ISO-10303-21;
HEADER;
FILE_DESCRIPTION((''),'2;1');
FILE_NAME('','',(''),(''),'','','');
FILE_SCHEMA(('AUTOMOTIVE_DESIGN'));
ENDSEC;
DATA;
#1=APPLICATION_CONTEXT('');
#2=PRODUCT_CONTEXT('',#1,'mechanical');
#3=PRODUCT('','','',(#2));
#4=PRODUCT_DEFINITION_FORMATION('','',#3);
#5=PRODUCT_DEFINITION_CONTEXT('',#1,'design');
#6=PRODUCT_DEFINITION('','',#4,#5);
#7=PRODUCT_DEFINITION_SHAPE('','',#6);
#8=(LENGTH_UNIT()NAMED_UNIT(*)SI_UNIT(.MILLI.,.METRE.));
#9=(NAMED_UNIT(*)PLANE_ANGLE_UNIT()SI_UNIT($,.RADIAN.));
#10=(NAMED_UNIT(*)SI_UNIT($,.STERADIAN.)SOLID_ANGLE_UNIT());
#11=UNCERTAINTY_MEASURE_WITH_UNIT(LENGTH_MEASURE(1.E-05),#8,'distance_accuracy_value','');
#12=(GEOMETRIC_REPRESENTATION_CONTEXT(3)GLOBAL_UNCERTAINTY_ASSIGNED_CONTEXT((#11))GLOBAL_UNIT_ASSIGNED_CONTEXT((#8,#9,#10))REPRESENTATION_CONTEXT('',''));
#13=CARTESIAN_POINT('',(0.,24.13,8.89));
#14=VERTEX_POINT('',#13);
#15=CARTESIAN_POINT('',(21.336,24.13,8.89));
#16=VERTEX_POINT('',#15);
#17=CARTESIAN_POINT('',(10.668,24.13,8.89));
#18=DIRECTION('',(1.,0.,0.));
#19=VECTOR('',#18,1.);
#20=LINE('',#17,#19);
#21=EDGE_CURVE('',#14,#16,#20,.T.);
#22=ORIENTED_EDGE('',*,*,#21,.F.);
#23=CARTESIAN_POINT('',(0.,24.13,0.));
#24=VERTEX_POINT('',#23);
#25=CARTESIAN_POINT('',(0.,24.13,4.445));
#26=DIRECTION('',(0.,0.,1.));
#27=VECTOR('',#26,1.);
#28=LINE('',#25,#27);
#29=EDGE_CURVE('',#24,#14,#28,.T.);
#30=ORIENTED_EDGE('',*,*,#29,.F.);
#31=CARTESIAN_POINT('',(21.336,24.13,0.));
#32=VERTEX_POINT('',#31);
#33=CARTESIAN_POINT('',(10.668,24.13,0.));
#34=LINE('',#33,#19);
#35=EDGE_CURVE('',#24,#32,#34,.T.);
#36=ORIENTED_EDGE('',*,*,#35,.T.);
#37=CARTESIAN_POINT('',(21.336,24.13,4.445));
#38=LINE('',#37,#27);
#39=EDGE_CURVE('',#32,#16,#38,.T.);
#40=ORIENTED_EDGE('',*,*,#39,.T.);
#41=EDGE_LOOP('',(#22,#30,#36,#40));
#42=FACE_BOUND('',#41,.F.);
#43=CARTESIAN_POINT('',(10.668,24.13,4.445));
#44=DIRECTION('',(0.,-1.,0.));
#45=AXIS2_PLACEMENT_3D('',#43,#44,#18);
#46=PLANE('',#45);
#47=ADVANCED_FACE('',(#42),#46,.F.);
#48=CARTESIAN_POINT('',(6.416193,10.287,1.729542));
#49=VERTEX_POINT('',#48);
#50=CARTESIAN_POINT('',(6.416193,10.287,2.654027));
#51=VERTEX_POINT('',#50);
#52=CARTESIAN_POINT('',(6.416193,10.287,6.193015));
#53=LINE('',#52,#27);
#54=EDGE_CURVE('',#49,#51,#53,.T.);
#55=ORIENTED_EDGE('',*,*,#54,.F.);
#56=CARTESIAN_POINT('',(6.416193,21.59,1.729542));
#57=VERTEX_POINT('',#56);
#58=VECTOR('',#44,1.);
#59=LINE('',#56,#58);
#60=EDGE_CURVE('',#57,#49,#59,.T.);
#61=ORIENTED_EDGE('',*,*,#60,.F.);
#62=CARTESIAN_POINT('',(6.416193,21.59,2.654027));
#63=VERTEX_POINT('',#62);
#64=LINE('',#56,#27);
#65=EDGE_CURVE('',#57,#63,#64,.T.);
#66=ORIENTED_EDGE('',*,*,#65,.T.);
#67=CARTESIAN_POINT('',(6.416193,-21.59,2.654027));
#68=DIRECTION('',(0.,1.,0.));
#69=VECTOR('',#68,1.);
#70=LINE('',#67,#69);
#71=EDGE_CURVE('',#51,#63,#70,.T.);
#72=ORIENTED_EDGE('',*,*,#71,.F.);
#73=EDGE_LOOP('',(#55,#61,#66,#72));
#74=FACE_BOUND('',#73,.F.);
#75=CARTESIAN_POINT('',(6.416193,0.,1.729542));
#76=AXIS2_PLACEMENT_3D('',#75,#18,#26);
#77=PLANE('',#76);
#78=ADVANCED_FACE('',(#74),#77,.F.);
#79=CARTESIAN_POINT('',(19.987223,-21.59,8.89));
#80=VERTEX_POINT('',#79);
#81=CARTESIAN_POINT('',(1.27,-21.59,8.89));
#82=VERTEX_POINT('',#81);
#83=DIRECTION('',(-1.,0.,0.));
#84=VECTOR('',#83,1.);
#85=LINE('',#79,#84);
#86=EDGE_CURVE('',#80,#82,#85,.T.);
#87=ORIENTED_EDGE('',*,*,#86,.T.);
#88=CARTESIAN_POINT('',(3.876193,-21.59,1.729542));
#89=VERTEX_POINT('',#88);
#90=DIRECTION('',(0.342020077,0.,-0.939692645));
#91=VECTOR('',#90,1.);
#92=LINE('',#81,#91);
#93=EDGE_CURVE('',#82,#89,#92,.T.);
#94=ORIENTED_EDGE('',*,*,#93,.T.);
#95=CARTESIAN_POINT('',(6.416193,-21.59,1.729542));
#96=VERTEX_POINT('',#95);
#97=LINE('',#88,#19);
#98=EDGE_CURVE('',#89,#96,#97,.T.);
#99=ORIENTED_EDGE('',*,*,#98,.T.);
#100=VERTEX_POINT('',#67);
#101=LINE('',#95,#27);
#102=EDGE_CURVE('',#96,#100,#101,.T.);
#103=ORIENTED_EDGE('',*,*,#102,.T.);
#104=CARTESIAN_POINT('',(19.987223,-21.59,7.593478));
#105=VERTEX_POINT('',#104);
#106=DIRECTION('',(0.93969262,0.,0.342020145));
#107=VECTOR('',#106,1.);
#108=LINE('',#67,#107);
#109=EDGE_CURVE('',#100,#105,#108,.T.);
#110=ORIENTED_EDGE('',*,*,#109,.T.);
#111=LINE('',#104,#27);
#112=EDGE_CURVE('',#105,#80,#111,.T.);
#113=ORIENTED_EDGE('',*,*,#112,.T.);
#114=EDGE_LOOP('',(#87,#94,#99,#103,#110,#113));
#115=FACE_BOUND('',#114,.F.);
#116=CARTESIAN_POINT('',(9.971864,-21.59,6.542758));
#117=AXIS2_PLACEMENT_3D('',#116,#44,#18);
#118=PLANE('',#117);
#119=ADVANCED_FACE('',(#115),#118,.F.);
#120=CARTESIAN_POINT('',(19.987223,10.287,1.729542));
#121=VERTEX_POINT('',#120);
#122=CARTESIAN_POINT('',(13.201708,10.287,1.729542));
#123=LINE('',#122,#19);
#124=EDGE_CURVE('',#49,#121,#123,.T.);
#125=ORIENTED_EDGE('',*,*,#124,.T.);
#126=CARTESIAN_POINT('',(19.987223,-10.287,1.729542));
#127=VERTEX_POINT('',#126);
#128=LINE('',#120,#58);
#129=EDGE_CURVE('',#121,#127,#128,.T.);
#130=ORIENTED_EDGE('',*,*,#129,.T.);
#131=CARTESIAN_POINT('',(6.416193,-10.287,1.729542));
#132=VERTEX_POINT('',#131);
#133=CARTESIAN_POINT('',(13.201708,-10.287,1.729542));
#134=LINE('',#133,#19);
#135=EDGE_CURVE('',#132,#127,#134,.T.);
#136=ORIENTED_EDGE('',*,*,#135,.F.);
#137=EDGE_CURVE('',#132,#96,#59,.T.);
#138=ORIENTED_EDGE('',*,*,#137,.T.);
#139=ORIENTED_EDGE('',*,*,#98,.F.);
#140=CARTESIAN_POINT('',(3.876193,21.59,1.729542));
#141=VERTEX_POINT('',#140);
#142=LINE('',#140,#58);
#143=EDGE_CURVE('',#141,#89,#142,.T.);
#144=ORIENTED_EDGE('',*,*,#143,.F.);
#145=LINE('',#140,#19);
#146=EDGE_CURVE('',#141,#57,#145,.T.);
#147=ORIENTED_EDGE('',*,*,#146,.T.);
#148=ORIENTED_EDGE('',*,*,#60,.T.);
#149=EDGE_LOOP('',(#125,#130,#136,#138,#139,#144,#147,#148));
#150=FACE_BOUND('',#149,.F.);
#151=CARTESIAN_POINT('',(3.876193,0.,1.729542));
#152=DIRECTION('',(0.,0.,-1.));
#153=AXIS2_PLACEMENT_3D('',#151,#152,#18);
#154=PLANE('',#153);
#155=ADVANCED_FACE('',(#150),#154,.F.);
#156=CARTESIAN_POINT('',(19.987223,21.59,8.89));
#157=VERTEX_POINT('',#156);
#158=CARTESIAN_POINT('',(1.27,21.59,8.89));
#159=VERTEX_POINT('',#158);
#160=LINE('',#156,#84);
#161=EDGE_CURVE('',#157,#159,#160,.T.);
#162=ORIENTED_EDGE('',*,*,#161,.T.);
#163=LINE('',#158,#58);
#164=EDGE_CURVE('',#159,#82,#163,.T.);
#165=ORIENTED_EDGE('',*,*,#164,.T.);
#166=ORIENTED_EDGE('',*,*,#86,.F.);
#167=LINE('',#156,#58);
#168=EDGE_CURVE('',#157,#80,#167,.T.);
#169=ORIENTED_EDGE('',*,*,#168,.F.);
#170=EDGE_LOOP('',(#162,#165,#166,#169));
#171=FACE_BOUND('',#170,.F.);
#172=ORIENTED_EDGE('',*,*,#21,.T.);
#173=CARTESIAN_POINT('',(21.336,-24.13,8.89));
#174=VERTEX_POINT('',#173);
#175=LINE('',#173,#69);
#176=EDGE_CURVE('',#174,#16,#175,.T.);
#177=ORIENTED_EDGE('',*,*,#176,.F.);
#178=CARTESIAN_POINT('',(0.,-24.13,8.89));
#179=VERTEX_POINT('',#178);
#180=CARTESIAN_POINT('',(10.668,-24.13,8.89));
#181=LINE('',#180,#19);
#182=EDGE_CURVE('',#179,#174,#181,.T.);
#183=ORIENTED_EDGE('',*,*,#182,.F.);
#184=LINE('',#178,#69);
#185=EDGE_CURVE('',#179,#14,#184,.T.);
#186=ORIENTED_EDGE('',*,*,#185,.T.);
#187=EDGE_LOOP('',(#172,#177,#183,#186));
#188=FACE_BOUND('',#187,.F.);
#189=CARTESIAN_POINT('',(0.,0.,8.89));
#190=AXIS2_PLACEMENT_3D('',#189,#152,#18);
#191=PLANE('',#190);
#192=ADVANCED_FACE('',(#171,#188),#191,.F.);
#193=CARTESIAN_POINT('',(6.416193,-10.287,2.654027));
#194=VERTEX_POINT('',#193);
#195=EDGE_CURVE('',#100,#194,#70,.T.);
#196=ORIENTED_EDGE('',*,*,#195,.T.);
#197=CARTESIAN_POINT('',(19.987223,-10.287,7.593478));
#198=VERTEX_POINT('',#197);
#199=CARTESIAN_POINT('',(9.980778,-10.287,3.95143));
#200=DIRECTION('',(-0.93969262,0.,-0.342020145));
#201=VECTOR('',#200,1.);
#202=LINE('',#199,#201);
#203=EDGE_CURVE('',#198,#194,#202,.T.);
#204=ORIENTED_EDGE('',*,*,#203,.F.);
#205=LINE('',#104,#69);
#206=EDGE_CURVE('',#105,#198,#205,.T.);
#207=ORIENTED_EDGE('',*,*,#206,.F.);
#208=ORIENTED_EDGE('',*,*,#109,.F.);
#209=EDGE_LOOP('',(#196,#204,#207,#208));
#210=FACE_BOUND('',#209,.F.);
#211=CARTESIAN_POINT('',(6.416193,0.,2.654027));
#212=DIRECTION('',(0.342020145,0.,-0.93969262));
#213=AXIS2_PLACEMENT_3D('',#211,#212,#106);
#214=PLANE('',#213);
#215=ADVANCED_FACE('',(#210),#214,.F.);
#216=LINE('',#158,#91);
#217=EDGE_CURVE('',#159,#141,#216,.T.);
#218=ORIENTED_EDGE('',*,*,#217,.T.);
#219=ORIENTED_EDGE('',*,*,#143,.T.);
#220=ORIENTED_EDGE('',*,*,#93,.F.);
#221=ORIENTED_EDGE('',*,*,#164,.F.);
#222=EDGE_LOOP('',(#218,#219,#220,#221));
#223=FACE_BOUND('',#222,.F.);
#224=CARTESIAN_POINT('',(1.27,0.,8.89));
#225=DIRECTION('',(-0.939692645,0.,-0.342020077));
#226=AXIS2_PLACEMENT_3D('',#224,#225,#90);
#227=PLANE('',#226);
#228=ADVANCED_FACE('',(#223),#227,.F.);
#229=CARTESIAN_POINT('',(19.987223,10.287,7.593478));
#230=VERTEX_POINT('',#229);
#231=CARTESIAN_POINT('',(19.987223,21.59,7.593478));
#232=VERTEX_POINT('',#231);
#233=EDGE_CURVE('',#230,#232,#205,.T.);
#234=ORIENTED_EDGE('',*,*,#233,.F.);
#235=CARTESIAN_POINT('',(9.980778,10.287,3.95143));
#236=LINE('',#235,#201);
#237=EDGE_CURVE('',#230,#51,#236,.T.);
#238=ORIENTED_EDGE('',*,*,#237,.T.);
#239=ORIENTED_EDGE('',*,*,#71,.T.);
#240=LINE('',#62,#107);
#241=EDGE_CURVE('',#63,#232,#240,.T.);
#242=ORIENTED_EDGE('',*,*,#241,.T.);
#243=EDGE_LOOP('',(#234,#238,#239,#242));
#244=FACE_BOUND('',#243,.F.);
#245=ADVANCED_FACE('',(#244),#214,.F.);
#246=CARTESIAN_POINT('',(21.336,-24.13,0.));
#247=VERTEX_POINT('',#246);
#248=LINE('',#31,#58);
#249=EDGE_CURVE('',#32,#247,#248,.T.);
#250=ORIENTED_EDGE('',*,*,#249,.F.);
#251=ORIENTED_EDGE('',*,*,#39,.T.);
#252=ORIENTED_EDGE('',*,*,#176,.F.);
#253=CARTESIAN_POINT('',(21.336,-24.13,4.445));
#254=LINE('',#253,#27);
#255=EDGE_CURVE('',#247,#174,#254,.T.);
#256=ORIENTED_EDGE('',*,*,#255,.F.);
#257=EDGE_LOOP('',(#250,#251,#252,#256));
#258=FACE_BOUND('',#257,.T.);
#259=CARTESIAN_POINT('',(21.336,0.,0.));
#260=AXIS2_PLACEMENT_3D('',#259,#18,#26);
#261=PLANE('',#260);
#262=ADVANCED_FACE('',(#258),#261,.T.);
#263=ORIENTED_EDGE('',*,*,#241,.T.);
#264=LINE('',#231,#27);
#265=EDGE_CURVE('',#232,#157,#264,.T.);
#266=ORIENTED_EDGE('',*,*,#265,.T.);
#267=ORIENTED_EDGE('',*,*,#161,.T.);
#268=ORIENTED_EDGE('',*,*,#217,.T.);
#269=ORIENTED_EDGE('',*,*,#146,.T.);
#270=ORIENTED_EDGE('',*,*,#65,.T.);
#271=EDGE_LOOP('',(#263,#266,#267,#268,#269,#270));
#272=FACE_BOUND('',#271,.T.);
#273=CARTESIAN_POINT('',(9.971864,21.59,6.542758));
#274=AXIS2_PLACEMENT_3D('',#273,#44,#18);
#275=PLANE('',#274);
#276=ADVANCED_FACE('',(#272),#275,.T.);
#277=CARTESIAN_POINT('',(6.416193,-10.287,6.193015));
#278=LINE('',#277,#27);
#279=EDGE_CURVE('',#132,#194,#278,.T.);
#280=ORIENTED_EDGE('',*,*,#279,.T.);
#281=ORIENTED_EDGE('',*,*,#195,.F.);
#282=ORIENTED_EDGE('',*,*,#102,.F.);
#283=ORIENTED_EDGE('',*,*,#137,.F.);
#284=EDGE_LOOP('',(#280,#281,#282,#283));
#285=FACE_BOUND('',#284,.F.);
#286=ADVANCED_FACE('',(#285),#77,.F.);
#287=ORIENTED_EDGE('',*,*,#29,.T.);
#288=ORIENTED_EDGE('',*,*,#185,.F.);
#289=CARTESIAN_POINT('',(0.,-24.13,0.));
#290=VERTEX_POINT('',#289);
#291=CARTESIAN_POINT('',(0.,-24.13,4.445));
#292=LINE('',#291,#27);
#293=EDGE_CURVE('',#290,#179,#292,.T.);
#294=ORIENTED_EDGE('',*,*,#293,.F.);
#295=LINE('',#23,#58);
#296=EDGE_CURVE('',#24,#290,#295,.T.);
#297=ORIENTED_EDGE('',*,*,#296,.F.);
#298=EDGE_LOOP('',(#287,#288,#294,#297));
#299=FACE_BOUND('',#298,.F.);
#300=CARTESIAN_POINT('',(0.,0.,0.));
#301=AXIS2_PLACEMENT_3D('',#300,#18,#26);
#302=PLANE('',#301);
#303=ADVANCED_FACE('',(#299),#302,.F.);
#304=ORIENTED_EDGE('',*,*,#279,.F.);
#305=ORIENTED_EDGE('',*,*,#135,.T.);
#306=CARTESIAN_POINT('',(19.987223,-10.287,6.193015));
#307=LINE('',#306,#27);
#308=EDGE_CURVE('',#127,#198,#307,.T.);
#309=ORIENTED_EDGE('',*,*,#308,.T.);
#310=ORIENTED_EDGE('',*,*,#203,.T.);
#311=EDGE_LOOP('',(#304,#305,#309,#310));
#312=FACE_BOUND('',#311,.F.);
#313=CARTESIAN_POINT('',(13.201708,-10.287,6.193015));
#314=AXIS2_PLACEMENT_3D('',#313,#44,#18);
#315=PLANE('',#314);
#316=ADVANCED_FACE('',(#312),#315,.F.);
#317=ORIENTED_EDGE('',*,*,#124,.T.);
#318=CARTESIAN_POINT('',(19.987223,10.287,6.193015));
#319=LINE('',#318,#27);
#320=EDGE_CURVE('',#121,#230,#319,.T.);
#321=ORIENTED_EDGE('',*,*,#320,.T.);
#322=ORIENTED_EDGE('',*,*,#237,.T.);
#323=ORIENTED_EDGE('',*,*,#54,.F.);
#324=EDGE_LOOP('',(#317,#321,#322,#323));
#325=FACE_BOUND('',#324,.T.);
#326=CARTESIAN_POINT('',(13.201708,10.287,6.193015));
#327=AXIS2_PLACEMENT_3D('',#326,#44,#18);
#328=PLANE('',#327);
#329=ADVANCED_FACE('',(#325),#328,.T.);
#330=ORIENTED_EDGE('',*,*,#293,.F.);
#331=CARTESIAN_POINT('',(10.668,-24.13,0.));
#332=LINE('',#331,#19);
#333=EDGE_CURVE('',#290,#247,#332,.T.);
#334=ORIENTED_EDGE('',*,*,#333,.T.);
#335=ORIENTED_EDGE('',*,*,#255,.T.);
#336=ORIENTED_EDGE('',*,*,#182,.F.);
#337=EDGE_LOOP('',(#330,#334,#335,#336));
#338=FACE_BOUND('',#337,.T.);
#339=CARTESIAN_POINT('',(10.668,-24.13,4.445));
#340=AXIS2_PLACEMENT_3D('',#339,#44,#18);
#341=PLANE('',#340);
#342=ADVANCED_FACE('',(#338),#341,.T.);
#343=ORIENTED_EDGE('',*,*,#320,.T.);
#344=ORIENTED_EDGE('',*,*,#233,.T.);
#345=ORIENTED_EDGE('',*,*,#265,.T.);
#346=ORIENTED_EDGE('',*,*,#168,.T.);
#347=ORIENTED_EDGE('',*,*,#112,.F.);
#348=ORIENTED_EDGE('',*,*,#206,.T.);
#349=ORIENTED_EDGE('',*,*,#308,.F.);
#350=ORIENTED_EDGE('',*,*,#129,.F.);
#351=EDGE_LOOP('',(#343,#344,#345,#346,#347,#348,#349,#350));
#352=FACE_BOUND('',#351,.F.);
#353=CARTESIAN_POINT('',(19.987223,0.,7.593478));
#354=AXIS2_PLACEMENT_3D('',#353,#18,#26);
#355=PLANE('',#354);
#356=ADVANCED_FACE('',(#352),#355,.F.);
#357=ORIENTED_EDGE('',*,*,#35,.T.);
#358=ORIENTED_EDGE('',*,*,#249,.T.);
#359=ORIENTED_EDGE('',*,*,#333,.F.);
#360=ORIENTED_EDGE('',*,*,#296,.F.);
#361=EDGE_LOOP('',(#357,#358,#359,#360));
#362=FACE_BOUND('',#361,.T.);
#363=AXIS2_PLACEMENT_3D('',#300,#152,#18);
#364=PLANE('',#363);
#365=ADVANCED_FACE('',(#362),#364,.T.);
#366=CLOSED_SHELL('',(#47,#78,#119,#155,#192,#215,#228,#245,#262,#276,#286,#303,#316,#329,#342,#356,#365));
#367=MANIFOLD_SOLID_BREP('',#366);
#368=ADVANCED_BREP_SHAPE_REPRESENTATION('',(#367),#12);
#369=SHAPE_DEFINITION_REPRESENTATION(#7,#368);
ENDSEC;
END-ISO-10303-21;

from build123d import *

# Parameters (mm, degrees)
F0_W     = 21.336
F0_H     = 8.89
F1_DEPTH = 24.13
F3_DEPTH = 21.59
F4_W     = 13.57103
F4_H     = 8.926946
F5_DEPTH = 10.287


with BuildPart() as f1:
    # F0 (on Front) → F1 (new body, symmetric)
    with BuildSketch(Plane.XZ):
        with Locations((10.668, 4.445)):
            Rectangle(F0_W, F0_H)
    extrude(amount=F1_DEPTH, both=True)

    # F2 (on Front) → F3 (cut, symmetric)
    with BuildSketch(Plane.XZ):
        Polygon((19.987223, 8.89), (1.27, 8.89), (3.876193, 1.729542), (6.416193, 1.729542), (6.416193, 2.654027), (19.987223, 7.593478), align=None)
    extrude(amount=F3_DEPTH, both=True, mode=Mode.SUBTRACT)

    # F4 (on Front) → F5 (cut, symmetric)
    with BuildSketch(Plane.XZ):
        with Locations((13.201708, 6.193015)):
            Rectangle(F4_W, F4_H)
    extrude(amount=F5_DEPTH, both=True, mode=Mode.SUBTRACT)


solid = f1.part
